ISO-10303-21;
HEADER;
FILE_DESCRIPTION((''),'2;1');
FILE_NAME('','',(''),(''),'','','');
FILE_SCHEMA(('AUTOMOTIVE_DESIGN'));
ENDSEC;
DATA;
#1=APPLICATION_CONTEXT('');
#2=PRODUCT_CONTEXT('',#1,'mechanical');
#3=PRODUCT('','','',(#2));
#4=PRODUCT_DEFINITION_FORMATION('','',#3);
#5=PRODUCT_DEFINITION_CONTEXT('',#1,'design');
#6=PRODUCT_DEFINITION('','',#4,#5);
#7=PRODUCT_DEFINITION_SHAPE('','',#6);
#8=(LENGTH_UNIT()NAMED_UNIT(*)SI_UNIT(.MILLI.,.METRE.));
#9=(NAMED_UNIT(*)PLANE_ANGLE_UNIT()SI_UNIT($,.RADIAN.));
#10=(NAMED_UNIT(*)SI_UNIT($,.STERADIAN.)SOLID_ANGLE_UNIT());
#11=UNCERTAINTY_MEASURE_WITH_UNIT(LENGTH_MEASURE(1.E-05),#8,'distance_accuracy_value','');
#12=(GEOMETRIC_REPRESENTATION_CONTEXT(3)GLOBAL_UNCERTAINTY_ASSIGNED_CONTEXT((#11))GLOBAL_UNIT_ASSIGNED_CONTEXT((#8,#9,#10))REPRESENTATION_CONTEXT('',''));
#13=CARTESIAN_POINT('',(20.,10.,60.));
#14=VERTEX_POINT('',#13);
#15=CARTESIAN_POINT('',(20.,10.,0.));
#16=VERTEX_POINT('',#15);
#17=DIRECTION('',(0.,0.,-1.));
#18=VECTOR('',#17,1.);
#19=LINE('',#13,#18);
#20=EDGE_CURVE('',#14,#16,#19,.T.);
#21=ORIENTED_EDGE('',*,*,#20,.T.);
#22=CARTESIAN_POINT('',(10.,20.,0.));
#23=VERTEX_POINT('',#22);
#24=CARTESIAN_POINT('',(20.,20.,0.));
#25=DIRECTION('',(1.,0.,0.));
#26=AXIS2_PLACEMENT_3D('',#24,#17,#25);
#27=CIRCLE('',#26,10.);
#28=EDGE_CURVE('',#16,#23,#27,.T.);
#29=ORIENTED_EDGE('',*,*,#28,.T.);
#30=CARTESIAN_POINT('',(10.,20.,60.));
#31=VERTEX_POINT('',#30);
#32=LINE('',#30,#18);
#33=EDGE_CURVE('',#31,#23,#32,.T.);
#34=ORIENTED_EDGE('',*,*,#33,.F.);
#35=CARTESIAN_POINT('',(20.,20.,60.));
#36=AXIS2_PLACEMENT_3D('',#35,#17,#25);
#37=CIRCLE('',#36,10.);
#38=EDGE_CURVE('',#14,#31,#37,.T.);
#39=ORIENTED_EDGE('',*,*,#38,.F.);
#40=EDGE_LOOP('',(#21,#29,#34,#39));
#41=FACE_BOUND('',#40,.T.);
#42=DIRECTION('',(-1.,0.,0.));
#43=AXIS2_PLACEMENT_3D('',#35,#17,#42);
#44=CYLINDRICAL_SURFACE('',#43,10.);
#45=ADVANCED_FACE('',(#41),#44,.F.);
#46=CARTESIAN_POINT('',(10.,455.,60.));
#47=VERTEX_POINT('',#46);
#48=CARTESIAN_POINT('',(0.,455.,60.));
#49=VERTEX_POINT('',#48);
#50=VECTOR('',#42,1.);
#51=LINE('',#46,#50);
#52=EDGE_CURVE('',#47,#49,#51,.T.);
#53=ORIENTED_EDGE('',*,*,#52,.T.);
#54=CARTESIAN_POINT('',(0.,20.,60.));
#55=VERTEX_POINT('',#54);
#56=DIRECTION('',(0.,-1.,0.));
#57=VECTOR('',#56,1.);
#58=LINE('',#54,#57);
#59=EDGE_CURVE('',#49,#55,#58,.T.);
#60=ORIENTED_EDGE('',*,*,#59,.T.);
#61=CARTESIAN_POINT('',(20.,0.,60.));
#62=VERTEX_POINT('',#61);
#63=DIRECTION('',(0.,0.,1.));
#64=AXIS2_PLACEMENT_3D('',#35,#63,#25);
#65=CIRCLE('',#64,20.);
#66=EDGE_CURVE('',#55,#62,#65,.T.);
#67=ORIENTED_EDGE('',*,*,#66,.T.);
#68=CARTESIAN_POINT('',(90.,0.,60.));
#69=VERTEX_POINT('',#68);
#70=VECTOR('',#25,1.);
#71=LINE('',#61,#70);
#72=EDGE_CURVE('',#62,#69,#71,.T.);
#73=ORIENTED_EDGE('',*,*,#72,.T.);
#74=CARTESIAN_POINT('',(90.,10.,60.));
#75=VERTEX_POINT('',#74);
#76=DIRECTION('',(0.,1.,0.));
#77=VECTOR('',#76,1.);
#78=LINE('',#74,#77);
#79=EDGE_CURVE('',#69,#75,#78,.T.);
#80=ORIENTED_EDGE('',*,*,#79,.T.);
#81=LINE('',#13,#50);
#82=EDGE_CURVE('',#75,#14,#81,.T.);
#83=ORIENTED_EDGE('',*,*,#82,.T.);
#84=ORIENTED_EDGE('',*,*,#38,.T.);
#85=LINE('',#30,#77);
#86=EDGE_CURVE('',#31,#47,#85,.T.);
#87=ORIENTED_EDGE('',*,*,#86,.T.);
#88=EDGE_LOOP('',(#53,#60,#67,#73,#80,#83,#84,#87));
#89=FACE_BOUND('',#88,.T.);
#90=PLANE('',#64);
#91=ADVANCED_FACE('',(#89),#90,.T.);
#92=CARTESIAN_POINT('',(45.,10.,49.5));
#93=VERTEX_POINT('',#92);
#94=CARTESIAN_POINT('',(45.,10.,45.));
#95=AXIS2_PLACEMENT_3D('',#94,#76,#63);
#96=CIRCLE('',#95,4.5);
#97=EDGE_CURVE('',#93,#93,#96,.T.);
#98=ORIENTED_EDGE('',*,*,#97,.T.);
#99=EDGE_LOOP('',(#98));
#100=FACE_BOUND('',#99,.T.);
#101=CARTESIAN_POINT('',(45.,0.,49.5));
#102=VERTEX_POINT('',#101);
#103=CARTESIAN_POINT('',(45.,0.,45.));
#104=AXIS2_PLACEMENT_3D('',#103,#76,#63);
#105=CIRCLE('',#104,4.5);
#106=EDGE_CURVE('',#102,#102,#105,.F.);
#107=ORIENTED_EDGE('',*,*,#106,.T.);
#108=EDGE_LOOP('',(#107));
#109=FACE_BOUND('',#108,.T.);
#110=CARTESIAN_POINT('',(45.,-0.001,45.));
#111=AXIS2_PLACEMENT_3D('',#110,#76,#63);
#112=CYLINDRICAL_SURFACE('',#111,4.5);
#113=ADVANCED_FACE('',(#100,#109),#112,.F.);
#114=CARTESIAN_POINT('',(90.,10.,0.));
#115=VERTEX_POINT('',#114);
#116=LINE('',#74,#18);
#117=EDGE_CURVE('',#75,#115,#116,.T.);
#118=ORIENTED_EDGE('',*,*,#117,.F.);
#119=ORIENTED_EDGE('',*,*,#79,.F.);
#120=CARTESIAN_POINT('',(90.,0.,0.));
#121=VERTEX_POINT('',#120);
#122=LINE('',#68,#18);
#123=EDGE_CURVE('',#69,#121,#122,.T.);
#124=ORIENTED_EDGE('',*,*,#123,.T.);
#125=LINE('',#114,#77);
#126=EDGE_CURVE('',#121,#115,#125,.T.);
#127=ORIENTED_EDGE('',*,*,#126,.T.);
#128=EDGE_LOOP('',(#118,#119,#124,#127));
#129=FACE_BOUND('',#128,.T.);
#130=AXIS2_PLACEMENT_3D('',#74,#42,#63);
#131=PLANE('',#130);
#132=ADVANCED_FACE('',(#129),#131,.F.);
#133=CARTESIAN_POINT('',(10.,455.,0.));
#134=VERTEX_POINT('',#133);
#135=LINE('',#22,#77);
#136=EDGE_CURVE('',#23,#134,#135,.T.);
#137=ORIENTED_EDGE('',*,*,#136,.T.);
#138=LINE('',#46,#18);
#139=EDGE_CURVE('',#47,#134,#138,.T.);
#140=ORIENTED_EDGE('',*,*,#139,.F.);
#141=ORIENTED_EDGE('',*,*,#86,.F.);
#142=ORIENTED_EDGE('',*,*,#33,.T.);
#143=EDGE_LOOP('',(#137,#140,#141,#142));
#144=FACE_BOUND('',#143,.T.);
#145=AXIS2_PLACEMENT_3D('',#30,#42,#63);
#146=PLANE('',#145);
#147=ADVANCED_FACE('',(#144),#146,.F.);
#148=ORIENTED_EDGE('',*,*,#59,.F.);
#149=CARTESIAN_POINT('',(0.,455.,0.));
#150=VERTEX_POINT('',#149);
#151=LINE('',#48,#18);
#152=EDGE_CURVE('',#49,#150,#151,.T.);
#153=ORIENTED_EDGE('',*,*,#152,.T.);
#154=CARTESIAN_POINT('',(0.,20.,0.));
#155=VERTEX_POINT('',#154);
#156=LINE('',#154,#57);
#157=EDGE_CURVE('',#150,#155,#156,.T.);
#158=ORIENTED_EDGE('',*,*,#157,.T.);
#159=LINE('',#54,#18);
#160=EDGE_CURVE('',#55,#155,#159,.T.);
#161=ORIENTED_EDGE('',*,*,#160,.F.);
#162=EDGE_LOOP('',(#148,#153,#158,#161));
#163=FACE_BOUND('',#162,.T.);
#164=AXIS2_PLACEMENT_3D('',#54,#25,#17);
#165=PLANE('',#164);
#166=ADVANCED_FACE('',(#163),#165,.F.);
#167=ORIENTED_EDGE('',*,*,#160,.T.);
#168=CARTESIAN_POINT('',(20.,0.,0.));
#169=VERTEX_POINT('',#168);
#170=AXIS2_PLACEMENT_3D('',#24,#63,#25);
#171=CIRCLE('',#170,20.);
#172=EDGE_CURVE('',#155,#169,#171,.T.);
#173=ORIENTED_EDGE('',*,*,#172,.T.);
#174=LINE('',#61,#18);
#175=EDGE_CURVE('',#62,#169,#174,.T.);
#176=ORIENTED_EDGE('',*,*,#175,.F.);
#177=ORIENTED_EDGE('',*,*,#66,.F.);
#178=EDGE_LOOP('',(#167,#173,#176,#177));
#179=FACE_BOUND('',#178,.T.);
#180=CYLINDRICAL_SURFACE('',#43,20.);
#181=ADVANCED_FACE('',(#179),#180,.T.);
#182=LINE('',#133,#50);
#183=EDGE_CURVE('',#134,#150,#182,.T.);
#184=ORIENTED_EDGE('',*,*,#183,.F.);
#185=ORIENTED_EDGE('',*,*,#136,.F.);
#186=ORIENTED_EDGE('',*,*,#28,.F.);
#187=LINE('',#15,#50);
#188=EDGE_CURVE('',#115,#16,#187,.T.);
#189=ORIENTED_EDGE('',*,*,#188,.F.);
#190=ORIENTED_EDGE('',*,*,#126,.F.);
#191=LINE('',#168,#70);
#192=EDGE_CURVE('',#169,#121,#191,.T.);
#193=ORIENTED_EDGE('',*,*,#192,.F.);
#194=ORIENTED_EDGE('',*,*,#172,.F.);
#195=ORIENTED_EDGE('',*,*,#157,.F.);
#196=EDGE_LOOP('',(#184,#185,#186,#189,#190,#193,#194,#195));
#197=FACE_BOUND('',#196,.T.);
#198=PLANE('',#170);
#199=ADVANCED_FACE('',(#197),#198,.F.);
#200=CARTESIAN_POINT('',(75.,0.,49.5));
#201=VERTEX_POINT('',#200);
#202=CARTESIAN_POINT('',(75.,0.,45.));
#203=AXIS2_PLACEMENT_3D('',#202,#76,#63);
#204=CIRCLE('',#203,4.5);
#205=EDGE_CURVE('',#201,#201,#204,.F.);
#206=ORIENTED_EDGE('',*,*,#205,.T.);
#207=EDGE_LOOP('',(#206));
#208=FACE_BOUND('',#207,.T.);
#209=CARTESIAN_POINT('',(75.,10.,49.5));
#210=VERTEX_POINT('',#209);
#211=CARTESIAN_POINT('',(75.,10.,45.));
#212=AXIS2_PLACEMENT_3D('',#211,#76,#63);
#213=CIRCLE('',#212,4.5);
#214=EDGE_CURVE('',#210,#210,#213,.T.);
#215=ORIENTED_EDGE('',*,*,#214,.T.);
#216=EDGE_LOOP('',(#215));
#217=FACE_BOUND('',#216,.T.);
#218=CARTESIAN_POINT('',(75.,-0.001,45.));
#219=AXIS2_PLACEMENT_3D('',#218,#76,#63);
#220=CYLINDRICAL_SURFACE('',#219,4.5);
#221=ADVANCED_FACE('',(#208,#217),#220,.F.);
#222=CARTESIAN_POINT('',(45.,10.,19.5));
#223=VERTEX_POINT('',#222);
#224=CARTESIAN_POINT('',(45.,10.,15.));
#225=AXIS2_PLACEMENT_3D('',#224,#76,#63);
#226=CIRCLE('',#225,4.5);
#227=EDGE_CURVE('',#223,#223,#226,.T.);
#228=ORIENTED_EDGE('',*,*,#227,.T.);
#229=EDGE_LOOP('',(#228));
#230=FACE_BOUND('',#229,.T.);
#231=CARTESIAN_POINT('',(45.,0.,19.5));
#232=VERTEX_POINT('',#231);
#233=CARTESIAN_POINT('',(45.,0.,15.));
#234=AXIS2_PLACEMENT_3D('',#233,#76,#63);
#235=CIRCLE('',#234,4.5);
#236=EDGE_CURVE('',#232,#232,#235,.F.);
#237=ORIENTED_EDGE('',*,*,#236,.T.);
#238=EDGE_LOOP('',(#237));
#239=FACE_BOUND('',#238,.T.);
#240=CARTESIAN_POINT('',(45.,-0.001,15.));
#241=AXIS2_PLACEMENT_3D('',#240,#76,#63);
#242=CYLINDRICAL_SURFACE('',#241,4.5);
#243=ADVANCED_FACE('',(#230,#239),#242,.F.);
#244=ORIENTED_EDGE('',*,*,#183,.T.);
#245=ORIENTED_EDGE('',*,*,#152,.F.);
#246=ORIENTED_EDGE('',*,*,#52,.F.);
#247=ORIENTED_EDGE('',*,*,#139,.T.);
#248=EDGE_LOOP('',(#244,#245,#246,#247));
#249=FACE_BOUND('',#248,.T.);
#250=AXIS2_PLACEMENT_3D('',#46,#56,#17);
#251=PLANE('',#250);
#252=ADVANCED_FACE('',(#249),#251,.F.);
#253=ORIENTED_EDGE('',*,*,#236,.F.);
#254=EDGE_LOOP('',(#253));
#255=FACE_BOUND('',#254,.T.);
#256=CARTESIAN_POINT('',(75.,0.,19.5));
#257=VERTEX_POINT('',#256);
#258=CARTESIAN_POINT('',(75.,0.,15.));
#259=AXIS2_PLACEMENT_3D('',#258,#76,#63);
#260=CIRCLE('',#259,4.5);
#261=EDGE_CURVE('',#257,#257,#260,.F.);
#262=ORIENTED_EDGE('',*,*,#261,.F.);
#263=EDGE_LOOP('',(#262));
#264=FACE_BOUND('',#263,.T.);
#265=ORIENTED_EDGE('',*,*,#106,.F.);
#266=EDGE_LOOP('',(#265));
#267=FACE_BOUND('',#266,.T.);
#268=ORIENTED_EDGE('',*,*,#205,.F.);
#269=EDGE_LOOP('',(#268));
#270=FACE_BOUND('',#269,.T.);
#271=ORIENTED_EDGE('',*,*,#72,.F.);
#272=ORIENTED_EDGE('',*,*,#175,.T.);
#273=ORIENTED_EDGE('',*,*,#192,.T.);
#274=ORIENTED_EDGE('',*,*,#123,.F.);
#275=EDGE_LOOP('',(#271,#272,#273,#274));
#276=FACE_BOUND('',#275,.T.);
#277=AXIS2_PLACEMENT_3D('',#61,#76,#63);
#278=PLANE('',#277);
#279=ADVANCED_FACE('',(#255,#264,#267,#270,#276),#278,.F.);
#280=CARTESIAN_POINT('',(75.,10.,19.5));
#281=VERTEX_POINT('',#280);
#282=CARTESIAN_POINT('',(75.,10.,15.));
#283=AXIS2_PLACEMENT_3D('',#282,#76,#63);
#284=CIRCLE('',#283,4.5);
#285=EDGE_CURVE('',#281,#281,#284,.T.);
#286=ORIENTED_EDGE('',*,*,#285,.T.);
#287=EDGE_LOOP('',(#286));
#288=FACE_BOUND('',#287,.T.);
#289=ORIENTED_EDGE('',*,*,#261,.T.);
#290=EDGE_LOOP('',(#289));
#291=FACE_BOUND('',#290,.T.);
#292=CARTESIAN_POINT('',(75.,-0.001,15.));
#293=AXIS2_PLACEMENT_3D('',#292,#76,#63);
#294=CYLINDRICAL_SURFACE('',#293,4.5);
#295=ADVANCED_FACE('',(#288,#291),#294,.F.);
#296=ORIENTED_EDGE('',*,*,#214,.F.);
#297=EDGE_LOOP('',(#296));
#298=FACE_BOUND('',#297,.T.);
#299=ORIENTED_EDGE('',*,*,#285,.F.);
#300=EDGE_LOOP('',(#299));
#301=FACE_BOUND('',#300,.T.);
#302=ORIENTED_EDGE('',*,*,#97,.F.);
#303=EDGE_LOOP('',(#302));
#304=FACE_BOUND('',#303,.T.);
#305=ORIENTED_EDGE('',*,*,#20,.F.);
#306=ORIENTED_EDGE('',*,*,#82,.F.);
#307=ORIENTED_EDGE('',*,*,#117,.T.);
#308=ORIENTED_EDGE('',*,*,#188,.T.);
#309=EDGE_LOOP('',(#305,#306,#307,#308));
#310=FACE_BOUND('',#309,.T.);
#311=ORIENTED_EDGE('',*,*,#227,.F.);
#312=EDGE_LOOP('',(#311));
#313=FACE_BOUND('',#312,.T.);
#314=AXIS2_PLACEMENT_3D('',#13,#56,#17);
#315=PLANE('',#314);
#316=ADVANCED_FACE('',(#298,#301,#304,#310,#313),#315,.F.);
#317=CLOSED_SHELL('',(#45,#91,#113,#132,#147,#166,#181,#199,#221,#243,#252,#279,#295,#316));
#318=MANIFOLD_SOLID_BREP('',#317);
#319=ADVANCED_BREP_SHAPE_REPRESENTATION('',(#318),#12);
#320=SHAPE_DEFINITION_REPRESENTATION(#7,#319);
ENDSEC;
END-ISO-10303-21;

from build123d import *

# Parameters (mm, degrees)
BOSS_EXTRUDE1_DEPTH = 60
CUT_EXTRUDE1_REACH  = 459.957
SKETCH2_R           = 4.5


with BuildPart() as part:
    # Sketch1 → Boss-Extrude1 (new body)
    with BuildSketch(Plane.XY):
        with BuildLine():
            Line((0, 20), (0, 455))
            Line((0, 455), (10, 455))
            Line((10, 455), (10, 20))
            ThreePointArc((10, 20), (12.928932188, 12.928932188), (20, 10))
            Line((20, 10), (90, 10))
            Line((90, 10), (90, 0))
            Line((90, 0), (20, 0))
            ThreePointArc((20, 0), (5.857864376, 5.857864376), (0, 20))
        make_face()
    extrude(amount=BOSS_EXTRUDE1_DEPTH)

    # Sketch2 → Cut-Extrude1 (cut, up to next)
    with BuildSketch(Plane(origin=(0, 10, 0), x_dir=(1, 0, 0), z_dir=(0, 1, 0)), mode=Mode.PRIVATE) as cut_extrude1_sk1:
        with Locations(Location((75, -15, 0), (0, 0, 270))):
            Circle(SKETCH2_R)
    cut_extrude1_tool1 = extrude(cut_extrude1_sk1.sketch, amount=-CUT_EXTRUDE1_REACH, mode=Mode.PRIVATE) & part.part
    # Sketch2 → Cut-Extrude1 (cut, up to next)
    with BuildSketch(Plane(origin=(0, 10, 0), x_dir=(1, 0, 0), z_dir=(0, 1, 0)), mode=Mode.PRIVATE) as cut_extrude1_sk2:
        with Locations(Location((75, -45, 0), (0, 0, 270))):
            Circle(SKETCH2_R)
    cut_extrude1_tool2 = extrude(cut_extrude1_sk2.sketch, amount=-CUT_EXTRUDE1_REACH, mode=Mode.PRIVATE) & part.part
    # Sketch2 → Cut-Extrude1 (cut, up to next)
    with BuildSketch(Plane(origin=(0, 10, 0), x_dir=(1, 0, 0), z_dir=(0, 1, 0)), mode=Mode.PRIVATE) as cut_extrude1_sk3:
        with Locations(Location((45, -15, 0), (0, 0, 270))):
            Circle(SKETCH2_R)
    cut_extrude1_tool3 = extrude(cut_extrude1_sk3.sketch, amount=-CUT_EXTRUDE1_REACH, mode=Mode.PRIVATE) & part.part
    # Sketch2 → Cut-Extrude1 (cut, up to next)
    with BuildSketch(Plane(origin=(0, 10, 0), x_dir=(1, 0, 0), z_dir=(0, 1, 0)), mode=Mode.PRIVATE) as cut_extrude1_sk4:
        with Locations(Location((45, -45, 0), (0, 0, 270))):
            Circle(SKETCH2_R)
    cut_extrude1_tool4 = extrude(cut_extrude1_sk4.sketch, amount=-CUT_EXTRUDE1_REACH, mode=Mode.PRIVATE) & part.part
    add(cut_extrude1_tool1.solids().sort_by_distance((75, 10, 15))[0], mode=Mode.SUBTRACT)
    add(cut_extrude1_tool2.solids().sort_by_distance((75, 10, 45))[0], mode=Mode.SUBTRACT)
    add(cut_extrude1_tool3.solids().sort_by_distance((45, 10, 15))[0], mode=Mode.SUBTRACT)
    add(cut_extrude1_tool4.solids().sort_by_distance((45, 10, 45))[0], mode=Mode.SUBTRACT)


solid = part.part
